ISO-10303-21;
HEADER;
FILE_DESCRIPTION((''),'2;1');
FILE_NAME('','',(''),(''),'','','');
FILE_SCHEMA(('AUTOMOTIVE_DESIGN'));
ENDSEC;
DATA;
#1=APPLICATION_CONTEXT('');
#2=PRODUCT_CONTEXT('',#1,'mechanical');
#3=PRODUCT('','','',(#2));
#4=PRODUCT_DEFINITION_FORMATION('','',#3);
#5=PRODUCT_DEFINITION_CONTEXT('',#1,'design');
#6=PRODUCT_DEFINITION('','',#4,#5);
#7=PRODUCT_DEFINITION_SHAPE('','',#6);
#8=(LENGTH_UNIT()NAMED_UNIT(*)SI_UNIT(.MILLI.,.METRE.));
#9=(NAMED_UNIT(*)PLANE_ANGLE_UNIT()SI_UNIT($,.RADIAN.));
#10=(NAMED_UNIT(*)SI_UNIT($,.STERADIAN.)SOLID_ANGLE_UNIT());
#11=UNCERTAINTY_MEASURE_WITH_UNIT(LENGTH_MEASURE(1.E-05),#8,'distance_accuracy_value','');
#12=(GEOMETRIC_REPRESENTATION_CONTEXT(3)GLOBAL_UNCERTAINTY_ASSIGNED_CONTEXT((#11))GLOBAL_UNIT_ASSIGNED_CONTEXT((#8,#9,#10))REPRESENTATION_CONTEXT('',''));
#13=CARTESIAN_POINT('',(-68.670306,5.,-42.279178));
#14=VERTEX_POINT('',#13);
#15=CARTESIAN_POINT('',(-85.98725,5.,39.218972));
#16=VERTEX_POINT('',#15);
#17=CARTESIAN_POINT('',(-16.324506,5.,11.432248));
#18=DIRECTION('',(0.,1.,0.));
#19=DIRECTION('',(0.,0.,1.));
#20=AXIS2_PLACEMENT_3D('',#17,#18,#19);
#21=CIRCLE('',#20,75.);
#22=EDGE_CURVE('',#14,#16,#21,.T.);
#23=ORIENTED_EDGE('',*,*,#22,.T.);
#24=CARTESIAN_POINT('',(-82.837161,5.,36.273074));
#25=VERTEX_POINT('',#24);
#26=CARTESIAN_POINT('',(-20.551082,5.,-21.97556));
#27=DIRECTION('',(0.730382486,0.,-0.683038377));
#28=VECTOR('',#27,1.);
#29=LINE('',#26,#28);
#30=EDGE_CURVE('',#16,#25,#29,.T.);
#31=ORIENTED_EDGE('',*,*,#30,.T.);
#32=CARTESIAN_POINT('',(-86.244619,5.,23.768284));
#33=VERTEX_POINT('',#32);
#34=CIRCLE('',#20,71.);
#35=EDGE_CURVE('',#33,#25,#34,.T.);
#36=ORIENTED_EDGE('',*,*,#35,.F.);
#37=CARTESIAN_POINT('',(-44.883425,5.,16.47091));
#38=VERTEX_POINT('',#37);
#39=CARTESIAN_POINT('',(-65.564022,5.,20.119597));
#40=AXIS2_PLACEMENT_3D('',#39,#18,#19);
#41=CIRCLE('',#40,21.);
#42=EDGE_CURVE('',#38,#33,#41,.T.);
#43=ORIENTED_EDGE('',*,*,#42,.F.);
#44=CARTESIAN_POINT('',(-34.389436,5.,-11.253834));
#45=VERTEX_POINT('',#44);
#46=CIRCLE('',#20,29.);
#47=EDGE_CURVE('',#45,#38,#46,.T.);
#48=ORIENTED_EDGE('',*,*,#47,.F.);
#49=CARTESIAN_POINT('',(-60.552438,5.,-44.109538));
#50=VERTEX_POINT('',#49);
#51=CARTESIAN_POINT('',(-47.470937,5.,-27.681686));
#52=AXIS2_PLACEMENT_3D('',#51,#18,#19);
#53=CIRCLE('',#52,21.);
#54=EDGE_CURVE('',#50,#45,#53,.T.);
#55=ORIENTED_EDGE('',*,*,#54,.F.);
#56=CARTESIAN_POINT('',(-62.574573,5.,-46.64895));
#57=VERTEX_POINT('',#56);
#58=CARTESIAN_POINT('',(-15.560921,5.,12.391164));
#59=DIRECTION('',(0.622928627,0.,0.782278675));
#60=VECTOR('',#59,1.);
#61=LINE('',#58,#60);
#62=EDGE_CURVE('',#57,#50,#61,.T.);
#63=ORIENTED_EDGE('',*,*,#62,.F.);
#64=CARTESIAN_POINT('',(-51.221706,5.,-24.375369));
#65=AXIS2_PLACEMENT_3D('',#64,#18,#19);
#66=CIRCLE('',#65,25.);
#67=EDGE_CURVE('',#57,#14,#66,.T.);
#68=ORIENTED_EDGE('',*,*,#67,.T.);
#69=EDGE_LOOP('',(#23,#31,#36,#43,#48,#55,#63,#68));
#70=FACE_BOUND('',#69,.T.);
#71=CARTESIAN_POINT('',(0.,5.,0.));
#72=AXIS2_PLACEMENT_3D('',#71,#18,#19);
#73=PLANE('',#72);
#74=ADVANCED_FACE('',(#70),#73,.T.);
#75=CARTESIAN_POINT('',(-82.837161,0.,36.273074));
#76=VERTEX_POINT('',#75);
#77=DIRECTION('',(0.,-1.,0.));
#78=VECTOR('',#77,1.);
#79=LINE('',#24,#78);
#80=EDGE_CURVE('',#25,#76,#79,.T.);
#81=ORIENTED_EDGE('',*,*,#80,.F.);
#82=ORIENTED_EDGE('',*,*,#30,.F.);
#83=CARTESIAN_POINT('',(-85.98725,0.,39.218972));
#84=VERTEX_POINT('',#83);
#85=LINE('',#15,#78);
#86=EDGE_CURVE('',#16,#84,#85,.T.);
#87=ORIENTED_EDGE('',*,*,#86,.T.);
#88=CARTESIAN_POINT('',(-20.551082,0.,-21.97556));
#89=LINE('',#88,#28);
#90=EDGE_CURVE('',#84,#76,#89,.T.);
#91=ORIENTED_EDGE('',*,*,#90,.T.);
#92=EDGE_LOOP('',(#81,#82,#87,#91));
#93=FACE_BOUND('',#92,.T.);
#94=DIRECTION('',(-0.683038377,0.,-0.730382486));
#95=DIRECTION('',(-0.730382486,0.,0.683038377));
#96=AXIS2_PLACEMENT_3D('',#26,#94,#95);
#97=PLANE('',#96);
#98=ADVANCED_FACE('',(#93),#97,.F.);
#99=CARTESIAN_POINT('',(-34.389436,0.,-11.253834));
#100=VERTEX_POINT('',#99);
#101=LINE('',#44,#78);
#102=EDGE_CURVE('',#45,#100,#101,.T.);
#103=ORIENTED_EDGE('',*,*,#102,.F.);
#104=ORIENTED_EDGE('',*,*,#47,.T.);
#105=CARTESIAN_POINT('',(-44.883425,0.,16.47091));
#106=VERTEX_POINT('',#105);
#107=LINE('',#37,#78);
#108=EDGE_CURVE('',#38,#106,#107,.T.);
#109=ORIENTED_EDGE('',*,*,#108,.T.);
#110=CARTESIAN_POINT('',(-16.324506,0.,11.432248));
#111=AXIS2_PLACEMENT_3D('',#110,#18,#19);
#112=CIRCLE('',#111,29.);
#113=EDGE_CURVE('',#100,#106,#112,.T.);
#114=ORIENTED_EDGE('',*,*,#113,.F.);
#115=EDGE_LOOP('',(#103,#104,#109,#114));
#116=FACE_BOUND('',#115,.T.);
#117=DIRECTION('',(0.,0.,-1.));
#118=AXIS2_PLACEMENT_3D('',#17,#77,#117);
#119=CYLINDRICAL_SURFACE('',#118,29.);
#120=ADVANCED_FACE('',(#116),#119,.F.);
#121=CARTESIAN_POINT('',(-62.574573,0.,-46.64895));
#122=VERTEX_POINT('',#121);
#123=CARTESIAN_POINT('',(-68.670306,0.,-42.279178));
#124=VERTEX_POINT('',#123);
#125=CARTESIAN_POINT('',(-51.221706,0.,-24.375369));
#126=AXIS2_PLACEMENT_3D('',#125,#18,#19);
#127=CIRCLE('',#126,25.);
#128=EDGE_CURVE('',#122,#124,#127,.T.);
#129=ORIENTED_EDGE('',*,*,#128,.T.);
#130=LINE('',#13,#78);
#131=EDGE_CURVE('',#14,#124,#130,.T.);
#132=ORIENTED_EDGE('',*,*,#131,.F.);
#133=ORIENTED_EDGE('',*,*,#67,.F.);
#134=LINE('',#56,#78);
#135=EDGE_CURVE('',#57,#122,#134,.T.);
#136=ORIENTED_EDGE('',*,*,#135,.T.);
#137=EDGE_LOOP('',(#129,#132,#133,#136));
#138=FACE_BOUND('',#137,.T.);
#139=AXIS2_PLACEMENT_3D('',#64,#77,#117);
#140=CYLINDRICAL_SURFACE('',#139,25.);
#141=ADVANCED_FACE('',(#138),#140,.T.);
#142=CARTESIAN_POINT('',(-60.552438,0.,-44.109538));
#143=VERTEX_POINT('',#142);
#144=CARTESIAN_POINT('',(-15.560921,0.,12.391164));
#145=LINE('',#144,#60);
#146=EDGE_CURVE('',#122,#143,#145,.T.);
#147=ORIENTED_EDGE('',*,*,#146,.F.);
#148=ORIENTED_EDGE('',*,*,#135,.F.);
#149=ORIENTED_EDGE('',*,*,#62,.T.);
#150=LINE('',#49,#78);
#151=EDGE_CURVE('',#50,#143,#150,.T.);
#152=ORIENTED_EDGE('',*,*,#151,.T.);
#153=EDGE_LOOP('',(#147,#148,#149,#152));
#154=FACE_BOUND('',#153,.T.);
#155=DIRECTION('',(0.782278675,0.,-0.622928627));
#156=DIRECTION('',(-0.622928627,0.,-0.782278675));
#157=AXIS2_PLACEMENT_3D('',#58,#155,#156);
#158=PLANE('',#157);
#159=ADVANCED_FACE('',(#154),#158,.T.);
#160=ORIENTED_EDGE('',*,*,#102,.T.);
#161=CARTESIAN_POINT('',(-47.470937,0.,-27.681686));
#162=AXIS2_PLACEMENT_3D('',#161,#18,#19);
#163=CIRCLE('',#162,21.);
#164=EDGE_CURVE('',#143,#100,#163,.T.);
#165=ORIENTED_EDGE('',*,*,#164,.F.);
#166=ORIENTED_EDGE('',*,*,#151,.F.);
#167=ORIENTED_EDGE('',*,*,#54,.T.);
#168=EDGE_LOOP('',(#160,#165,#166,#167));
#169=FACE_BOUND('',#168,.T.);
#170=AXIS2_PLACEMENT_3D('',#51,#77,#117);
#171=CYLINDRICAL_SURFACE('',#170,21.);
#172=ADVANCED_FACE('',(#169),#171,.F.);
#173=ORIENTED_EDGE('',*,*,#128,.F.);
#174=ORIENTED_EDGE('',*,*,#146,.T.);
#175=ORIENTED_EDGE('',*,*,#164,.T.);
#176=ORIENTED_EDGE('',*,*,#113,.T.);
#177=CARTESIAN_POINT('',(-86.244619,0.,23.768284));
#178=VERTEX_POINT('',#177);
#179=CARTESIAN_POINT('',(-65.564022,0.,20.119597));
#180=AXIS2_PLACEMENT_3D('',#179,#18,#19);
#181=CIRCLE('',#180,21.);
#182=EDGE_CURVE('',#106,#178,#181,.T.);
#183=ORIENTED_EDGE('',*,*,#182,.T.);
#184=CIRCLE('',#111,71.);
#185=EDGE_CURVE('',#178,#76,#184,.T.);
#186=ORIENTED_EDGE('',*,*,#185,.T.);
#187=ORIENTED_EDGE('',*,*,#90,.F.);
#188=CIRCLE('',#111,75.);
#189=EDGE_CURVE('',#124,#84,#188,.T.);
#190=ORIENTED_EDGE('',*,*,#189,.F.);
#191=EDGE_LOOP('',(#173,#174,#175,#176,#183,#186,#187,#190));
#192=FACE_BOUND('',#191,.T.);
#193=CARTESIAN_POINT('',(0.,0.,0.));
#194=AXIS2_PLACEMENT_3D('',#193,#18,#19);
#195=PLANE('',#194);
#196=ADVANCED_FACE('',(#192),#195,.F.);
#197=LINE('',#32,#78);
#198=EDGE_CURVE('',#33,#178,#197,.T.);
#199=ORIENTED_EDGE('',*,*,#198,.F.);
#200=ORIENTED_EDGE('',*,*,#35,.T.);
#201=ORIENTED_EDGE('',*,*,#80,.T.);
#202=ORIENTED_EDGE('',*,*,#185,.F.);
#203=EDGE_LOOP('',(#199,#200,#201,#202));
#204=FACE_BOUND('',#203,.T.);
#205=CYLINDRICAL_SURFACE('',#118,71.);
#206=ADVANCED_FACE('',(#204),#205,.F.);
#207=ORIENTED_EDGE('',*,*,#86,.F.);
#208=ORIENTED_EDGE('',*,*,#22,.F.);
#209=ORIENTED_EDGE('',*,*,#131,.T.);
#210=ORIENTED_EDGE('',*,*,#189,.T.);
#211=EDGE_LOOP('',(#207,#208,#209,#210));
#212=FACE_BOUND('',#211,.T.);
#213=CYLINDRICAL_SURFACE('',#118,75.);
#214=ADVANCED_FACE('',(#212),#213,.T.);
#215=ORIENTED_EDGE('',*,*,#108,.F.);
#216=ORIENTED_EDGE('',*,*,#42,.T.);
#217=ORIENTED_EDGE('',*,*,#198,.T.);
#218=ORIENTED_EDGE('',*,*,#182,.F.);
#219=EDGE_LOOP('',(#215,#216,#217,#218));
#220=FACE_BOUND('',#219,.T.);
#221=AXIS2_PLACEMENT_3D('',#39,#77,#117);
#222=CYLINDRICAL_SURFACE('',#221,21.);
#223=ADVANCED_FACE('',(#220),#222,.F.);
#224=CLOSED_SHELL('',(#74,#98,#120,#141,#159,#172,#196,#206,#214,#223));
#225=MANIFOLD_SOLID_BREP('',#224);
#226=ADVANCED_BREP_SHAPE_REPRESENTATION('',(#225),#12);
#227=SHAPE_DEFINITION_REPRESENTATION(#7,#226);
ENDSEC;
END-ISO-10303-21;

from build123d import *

# Parameters (mm, degrees)
BOSS_EXTRU_1_DEPTH = 5


with BuildPart() as part:
    # Esquisse1 → Boss.-Extru.1 (new body)
    with BuildSketch(Plane(origin=(0, 0, 0), x_dir=(1, 0, 0), z_dir=(0, 1, 0))):
        with BuildLine():
            ThreePointArc((-68.670306383, 42.279177512), (-89.686678349, 4.155942482), (-85.987250464, -39.218971617))
            Line((-85.987250464, -39.218971617), (-82.83716136, -36.273074377))
            ThreePointArc((-82.83716136, -36.273074377), (-84.826823628, -30.09859374), (-86.244619049, -23.768283856))
            ThreePointArc((-86.244619049, -23.768283856), (-69.212709026, 0.560999754), (-44.883425416, -16.470910269))
            ThreePointArc((-44.883425416, -16.470910269), (-43.446659296, -1.166342783), (-34.389436177, 11.253834034))
            ThreePointArc((-34.389436177, 11.253834034), (-63.898789522, 14.600185058), (-60.552438498, 44.109538403))
            Line((-60.552438498, 44.109538403), (-62.574572693, 46.648950451))
            ThreePointArc((-62.574572693, 46.648950451), (-65.787242564, 44.693960448), (-68.670306383, 42.279177512))
        make_face()
    extrude(amount=BOSS_EXTRU_1_DEPTH)


solid = part.part
